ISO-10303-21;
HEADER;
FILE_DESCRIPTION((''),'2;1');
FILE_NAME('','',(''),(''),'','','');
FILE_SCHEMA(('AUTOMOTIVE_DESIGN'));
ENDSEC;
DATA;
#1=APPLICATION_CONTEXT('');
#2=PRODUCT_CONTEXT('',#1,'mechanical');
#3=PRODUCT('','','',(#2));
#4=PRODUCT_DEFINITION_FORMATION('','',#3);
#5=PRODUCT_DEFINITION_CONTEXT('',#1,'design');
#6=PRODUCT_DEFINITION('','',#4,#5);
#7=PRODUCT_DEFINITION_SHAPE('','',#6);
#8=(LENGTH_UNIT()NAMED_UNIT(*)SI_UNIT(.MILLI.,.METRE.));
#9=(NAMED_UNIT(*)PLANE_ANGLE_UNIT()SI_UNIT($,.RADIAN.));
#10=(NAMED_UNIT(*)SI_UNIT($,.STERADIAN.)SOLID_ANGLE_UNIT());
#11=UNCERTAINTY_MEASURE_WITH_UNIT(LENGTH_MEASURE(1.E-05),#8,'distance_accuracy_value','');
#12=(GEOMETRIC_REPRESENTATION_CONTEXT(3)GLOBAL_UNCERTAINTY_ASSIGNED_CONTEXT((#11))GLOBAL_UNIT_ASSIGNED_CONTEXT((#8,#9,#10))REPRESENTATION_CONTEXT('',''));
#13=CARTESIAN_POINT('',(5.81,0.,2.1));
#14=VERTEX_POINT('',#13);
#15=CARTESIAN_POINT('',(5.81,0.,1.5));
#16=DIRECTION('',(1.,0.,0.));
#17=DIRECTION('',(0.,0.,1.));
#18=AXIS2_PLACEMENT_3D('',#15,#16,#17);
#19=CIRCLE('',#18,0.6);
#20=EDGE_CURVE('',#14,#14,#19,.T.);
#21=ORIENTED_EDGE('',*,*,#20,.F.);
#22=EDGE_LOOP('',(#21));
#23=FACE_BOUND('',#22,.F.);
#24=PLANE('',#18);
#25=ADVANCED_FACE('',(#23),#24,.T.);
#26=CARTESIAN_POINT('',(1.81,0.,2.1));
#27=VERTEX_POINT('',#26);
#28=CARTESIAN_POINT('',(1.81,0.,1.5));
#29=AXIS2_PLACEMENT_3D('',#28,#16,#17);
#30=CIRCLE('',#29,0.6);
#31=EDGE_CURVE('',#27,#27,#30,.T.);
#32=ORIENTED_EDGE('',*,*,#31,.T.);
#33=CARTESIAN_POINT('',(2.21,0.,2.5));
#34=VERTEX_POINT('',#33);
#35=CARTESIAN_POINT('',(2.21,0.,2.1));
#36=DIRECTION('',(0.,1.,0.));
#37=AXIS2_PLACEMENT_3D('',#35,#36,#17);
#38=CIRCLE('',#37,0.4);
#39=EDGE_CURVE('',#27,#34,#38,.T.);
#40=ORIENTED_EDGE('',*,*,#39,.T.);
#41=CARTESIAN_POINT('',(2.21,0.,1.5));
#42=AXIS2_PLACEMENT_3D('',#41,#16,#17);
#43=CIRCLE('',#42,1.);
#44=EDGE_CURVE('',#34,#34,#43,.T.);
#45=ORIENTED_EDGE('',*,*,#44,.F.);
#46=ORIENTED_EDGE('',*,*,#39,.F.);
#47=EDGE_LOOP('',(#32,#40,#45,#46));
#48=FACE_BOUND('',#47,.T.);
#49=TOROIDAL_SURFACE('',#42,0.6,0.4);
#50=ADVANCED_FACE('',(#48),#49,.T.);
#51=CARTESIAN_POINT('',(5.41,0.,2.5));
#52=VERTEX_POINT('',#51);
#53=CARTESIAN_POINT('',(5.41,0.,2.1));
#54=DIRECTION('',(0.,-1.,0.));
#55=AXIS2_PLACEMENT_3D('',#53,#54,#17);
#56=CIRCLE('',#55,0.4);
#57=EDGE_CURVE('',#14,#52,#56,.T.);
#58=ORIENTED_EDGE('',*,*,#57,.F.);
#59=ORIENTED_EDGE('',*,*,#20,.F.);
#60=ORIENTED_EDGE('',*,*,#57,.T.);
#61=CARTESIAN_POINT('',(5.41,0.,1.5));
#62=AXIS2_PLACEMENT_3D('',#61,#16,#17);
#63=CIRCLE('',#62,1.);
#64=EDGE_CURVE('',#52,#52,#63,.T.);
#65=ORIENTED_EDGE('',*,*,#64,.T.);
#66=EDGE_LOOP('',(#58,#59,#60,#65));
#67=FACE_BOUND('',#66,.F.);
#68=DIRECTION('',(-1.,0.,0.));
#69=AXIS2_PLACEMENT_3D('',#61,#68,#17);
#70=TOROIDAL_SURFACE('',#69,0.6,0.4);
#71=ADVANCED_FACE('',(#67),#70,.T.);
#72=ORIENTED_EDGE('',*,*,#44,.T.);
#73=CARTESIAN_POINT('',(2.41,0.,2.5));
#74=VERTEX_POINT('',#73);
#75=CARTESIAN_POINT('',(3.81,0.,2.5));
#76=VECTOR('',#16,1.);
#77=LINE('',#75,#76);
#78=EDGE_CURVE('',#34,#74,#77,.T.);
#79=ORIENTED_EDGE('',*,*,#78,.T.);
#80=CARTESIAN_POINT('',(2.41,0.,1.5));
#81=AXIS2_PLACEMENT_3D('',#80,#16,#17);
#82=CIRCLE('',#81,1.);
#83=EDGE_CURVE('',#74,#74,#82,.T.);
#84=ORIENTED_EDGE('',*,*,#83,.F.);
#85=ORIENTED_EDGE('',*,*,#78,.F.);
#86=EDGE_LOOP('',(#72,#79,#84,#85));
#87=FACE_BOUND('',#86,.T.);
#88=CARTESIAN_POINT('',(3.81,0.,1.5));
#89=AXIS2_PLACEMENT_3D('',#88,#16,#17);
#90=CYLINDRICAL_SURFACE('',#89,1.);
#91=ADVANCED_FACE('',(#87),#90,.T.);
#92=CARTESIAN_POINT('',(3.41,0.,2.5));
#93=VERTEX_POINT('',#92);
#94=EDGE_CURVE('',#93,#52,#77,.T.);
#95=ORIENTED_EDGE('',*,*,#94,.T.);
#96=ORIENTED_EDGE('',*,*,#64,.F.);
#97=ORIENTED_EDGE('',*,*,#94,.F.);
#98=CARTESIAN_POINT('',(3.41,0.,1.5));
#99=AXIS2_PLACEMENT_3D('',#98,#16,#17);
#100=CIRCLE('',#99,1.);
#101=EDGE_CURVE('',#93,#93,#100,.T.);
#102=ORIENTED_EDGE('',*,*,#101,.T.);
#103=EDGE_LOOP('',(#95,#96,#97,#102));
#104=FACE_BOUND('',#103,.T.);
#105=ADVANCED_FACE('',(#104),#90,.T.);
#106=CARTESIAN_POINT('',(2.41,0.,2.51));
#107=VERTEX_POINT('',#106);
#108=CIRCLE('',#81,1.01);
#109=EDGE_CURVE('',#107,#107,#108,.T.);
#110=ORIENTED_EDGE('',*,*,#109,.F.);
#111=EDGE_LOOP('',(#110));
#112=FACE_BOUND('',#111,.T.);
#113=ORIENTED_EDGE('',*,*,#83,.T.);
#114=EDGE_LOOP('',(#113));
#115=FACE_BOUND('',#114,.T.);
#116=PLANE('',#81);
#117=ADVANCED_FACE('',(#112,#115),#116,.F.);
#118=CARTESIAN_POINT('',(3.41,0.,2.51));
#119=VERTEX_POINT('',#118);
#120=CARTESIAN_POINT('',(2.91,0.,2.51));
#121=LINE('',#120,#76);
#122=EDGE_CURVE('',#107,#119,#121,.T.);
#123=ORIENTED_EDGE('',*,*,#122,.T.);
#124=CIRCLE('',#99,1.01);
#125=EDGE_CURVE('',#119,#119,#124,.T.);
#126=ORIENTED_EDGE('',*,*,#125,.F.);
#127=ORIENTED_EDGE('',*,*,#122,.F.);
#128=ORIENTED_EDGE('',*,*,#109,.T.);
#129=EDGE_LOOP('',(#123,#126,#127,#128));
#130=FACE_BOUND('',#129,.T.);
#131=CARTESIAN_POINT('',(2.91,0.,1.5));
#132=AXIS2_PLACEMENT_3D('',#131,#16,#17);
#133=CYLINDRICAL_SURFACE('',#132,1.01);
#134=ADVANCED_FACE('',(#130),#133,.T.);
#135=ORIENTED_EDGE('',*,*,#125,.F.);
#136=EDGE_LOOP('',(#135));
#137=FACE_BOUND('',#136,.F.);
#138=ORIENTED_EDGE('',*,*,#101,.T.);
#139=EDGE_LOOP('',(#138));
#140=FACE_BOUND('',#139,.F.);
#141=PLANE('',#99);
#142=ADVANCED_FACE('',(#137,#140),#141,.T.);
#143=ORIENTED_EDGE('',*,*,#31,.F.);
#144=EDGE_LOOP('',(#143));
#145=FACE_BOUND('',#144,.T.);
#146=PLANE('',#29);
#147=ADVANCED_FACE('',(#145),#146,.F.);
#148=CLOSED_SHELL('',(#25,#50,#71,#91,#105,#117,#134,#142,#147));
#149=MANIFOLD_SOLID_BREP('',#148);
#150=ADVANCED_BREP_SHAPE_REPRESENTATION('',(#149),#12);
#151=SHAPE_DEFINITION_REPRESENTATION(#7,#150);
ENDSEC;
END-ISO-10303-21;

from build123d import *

# Parameters (mm, degrees)
SKETCH003_W = 1
SKETCH003_H = 0.02
SKETCH002_W = 4
SKETCH002_H = 1
FILLET_R    = 0.4


with BuildPart() as revolution001:
    # Sketch003 → Revolution001 (revolve)
    with BuildSketch(Plane.XZ):
        with Locations((2.91, 2.5)):
            Rectangle(SKETCH003_W, SKETCH003_H)
    revolve(axis=Axis((0, 0, 1.5), (1, 0, 0)))


with BuildPart() as fillet_fd:
    # Sketch002 → Revolution (revolve)
    with BuildSketch(Plane.XZ):
        with Locations((3.81, 2)):
            Rectangle(SKETCH002_W, SKETCH002_H)
    revolve(axis=Axis((1.81, 0, 1.5), (1, 0, 0)))

    # Fillet
    fillet_edges = [fillet_fd.edges().sort_by_distance(p)[0] for p in [
        (1.81, 0, 0.5),
        (5.81, 0, 0.5),
    ]]
    fillet(fillet_edges, radius=FILLET_R)

    # Fillet_mp_cp: union Revolution001
    add(revolution001.part)


solid = fillet_fd.part
